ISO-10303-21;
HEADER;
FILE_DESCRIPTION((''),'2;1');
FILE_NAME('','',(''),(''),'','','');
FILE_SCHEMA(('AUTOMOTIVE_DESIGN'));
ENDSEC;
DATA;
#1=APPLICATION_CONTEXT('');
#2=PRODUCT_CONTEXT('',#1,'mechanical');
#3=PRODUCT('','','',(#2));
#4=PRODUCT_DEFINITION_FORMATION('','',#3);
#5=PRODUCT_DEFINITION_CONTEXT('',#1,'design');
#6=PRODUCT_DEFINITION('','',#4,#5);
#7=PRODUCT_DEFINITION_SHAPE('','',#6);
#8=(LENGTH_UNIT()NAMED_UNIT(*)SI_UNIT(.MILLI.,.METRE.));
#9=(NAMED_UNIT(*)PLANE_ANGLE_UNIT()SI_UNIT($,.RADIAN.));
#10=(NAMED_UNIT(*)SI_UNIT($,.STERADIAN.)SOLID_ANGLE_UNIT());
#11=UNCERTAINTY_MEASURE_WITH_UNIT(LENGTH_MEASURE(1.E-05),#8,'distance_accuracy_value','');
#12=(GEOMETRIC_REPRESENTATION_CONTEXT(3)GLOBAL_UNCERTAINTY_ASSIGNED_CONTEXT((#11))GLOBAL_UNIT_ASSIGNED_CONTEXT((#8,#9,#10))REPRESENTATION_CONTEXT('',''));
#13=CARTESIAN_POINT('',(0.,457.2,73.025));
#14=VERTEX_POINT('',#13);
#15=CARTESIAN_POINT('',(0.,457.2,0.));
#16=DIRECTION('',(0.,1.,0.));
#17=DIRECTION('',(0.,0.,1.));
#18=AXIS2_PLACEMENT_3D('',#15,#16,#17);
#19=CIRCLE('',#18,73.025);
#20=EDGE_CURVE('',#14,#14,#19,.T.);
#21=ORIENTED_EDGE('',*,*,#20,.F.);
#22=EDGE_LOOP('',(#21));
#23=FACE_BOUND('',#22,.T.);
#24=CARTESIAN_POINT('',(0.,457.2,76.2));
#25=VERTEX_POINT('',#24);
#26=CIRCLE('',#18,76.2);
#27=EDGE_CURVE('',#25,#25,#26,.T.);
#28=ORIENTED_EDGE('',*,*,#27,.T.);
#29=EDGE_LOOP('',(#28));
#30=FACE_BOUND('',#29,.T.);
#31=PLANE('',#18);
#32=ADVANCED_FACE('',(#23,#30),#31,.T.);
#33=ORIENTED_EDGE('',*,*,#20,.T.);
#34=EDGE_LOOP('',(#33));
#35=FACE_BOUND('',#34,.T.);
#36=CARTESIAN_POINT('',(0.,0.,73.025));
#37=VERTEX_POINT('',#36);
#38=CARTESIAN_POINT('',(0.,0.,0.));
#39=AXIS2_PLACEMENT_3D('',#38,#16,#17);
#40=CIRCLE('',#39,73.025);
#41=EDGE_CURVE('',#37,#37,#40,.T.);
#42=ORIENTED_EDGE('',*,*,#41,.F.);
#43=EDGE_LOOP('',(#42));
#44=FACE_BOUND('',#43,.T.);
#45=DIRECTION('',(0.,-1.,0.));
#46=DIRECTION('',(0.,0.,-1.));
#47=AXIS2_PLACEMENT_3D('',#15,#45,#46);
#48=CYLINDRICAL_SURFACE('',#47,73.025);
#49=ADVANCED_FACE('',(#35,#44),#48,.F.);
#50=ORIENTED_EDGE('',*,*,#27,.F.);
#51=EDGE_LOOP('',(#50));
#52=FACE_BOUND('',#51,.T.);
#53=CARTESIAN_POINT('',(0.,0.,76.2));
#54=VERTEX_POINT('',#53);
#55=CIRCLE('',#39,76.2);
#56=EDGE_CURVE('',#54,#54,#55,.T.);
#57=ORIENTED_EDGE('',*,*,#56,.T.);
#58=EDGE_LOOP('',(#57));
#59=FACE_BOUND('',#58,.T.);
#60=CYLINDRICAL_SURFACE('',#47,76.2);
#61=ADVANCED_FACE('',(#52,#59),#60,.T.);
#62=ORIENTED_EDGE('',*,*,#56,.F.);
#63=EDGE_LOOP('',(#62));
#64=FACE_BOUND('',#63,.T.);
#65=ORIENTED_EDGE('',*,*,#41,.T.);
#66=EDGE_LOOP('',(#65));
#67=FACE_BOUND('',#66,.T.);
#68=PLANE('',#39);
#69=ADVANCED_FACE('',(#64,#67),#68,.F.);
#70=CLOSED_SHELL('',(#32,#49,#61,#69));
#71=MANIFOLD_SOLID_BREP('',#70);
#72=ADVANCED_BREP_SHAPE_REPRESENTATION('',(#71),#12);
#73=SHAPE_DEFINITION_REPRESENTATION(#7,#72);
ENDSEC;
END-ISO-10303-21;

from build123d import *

# Parameters (mm, degrees)
SKETCH1_R           = 76.2
SKETCH1_R_2         = 73.025
BOSS_EXTRUDE1_DEPTH = 457.2


with BuildPart() as part:
    # Sketch1 → Boss-Extrude1 (new body)
    with BuildSketch(Plane(origin=(0, 0, 0), x_dir=(1, 0, 0), z_dir=(0, 1, 0))):
        with Locations(Location((0, 0, 0), (0, 0, 270))):
            Circle(SKETCH1_R)
        with Locations(Location((0, 0, 0), (0, 0, 270))):
            Circle(SKETCH1_R_2, mode=Mode.SUBTRACT)
    extrude(amount=BOSS_EXTRUDE1_DEPTH)


solid = part.part
